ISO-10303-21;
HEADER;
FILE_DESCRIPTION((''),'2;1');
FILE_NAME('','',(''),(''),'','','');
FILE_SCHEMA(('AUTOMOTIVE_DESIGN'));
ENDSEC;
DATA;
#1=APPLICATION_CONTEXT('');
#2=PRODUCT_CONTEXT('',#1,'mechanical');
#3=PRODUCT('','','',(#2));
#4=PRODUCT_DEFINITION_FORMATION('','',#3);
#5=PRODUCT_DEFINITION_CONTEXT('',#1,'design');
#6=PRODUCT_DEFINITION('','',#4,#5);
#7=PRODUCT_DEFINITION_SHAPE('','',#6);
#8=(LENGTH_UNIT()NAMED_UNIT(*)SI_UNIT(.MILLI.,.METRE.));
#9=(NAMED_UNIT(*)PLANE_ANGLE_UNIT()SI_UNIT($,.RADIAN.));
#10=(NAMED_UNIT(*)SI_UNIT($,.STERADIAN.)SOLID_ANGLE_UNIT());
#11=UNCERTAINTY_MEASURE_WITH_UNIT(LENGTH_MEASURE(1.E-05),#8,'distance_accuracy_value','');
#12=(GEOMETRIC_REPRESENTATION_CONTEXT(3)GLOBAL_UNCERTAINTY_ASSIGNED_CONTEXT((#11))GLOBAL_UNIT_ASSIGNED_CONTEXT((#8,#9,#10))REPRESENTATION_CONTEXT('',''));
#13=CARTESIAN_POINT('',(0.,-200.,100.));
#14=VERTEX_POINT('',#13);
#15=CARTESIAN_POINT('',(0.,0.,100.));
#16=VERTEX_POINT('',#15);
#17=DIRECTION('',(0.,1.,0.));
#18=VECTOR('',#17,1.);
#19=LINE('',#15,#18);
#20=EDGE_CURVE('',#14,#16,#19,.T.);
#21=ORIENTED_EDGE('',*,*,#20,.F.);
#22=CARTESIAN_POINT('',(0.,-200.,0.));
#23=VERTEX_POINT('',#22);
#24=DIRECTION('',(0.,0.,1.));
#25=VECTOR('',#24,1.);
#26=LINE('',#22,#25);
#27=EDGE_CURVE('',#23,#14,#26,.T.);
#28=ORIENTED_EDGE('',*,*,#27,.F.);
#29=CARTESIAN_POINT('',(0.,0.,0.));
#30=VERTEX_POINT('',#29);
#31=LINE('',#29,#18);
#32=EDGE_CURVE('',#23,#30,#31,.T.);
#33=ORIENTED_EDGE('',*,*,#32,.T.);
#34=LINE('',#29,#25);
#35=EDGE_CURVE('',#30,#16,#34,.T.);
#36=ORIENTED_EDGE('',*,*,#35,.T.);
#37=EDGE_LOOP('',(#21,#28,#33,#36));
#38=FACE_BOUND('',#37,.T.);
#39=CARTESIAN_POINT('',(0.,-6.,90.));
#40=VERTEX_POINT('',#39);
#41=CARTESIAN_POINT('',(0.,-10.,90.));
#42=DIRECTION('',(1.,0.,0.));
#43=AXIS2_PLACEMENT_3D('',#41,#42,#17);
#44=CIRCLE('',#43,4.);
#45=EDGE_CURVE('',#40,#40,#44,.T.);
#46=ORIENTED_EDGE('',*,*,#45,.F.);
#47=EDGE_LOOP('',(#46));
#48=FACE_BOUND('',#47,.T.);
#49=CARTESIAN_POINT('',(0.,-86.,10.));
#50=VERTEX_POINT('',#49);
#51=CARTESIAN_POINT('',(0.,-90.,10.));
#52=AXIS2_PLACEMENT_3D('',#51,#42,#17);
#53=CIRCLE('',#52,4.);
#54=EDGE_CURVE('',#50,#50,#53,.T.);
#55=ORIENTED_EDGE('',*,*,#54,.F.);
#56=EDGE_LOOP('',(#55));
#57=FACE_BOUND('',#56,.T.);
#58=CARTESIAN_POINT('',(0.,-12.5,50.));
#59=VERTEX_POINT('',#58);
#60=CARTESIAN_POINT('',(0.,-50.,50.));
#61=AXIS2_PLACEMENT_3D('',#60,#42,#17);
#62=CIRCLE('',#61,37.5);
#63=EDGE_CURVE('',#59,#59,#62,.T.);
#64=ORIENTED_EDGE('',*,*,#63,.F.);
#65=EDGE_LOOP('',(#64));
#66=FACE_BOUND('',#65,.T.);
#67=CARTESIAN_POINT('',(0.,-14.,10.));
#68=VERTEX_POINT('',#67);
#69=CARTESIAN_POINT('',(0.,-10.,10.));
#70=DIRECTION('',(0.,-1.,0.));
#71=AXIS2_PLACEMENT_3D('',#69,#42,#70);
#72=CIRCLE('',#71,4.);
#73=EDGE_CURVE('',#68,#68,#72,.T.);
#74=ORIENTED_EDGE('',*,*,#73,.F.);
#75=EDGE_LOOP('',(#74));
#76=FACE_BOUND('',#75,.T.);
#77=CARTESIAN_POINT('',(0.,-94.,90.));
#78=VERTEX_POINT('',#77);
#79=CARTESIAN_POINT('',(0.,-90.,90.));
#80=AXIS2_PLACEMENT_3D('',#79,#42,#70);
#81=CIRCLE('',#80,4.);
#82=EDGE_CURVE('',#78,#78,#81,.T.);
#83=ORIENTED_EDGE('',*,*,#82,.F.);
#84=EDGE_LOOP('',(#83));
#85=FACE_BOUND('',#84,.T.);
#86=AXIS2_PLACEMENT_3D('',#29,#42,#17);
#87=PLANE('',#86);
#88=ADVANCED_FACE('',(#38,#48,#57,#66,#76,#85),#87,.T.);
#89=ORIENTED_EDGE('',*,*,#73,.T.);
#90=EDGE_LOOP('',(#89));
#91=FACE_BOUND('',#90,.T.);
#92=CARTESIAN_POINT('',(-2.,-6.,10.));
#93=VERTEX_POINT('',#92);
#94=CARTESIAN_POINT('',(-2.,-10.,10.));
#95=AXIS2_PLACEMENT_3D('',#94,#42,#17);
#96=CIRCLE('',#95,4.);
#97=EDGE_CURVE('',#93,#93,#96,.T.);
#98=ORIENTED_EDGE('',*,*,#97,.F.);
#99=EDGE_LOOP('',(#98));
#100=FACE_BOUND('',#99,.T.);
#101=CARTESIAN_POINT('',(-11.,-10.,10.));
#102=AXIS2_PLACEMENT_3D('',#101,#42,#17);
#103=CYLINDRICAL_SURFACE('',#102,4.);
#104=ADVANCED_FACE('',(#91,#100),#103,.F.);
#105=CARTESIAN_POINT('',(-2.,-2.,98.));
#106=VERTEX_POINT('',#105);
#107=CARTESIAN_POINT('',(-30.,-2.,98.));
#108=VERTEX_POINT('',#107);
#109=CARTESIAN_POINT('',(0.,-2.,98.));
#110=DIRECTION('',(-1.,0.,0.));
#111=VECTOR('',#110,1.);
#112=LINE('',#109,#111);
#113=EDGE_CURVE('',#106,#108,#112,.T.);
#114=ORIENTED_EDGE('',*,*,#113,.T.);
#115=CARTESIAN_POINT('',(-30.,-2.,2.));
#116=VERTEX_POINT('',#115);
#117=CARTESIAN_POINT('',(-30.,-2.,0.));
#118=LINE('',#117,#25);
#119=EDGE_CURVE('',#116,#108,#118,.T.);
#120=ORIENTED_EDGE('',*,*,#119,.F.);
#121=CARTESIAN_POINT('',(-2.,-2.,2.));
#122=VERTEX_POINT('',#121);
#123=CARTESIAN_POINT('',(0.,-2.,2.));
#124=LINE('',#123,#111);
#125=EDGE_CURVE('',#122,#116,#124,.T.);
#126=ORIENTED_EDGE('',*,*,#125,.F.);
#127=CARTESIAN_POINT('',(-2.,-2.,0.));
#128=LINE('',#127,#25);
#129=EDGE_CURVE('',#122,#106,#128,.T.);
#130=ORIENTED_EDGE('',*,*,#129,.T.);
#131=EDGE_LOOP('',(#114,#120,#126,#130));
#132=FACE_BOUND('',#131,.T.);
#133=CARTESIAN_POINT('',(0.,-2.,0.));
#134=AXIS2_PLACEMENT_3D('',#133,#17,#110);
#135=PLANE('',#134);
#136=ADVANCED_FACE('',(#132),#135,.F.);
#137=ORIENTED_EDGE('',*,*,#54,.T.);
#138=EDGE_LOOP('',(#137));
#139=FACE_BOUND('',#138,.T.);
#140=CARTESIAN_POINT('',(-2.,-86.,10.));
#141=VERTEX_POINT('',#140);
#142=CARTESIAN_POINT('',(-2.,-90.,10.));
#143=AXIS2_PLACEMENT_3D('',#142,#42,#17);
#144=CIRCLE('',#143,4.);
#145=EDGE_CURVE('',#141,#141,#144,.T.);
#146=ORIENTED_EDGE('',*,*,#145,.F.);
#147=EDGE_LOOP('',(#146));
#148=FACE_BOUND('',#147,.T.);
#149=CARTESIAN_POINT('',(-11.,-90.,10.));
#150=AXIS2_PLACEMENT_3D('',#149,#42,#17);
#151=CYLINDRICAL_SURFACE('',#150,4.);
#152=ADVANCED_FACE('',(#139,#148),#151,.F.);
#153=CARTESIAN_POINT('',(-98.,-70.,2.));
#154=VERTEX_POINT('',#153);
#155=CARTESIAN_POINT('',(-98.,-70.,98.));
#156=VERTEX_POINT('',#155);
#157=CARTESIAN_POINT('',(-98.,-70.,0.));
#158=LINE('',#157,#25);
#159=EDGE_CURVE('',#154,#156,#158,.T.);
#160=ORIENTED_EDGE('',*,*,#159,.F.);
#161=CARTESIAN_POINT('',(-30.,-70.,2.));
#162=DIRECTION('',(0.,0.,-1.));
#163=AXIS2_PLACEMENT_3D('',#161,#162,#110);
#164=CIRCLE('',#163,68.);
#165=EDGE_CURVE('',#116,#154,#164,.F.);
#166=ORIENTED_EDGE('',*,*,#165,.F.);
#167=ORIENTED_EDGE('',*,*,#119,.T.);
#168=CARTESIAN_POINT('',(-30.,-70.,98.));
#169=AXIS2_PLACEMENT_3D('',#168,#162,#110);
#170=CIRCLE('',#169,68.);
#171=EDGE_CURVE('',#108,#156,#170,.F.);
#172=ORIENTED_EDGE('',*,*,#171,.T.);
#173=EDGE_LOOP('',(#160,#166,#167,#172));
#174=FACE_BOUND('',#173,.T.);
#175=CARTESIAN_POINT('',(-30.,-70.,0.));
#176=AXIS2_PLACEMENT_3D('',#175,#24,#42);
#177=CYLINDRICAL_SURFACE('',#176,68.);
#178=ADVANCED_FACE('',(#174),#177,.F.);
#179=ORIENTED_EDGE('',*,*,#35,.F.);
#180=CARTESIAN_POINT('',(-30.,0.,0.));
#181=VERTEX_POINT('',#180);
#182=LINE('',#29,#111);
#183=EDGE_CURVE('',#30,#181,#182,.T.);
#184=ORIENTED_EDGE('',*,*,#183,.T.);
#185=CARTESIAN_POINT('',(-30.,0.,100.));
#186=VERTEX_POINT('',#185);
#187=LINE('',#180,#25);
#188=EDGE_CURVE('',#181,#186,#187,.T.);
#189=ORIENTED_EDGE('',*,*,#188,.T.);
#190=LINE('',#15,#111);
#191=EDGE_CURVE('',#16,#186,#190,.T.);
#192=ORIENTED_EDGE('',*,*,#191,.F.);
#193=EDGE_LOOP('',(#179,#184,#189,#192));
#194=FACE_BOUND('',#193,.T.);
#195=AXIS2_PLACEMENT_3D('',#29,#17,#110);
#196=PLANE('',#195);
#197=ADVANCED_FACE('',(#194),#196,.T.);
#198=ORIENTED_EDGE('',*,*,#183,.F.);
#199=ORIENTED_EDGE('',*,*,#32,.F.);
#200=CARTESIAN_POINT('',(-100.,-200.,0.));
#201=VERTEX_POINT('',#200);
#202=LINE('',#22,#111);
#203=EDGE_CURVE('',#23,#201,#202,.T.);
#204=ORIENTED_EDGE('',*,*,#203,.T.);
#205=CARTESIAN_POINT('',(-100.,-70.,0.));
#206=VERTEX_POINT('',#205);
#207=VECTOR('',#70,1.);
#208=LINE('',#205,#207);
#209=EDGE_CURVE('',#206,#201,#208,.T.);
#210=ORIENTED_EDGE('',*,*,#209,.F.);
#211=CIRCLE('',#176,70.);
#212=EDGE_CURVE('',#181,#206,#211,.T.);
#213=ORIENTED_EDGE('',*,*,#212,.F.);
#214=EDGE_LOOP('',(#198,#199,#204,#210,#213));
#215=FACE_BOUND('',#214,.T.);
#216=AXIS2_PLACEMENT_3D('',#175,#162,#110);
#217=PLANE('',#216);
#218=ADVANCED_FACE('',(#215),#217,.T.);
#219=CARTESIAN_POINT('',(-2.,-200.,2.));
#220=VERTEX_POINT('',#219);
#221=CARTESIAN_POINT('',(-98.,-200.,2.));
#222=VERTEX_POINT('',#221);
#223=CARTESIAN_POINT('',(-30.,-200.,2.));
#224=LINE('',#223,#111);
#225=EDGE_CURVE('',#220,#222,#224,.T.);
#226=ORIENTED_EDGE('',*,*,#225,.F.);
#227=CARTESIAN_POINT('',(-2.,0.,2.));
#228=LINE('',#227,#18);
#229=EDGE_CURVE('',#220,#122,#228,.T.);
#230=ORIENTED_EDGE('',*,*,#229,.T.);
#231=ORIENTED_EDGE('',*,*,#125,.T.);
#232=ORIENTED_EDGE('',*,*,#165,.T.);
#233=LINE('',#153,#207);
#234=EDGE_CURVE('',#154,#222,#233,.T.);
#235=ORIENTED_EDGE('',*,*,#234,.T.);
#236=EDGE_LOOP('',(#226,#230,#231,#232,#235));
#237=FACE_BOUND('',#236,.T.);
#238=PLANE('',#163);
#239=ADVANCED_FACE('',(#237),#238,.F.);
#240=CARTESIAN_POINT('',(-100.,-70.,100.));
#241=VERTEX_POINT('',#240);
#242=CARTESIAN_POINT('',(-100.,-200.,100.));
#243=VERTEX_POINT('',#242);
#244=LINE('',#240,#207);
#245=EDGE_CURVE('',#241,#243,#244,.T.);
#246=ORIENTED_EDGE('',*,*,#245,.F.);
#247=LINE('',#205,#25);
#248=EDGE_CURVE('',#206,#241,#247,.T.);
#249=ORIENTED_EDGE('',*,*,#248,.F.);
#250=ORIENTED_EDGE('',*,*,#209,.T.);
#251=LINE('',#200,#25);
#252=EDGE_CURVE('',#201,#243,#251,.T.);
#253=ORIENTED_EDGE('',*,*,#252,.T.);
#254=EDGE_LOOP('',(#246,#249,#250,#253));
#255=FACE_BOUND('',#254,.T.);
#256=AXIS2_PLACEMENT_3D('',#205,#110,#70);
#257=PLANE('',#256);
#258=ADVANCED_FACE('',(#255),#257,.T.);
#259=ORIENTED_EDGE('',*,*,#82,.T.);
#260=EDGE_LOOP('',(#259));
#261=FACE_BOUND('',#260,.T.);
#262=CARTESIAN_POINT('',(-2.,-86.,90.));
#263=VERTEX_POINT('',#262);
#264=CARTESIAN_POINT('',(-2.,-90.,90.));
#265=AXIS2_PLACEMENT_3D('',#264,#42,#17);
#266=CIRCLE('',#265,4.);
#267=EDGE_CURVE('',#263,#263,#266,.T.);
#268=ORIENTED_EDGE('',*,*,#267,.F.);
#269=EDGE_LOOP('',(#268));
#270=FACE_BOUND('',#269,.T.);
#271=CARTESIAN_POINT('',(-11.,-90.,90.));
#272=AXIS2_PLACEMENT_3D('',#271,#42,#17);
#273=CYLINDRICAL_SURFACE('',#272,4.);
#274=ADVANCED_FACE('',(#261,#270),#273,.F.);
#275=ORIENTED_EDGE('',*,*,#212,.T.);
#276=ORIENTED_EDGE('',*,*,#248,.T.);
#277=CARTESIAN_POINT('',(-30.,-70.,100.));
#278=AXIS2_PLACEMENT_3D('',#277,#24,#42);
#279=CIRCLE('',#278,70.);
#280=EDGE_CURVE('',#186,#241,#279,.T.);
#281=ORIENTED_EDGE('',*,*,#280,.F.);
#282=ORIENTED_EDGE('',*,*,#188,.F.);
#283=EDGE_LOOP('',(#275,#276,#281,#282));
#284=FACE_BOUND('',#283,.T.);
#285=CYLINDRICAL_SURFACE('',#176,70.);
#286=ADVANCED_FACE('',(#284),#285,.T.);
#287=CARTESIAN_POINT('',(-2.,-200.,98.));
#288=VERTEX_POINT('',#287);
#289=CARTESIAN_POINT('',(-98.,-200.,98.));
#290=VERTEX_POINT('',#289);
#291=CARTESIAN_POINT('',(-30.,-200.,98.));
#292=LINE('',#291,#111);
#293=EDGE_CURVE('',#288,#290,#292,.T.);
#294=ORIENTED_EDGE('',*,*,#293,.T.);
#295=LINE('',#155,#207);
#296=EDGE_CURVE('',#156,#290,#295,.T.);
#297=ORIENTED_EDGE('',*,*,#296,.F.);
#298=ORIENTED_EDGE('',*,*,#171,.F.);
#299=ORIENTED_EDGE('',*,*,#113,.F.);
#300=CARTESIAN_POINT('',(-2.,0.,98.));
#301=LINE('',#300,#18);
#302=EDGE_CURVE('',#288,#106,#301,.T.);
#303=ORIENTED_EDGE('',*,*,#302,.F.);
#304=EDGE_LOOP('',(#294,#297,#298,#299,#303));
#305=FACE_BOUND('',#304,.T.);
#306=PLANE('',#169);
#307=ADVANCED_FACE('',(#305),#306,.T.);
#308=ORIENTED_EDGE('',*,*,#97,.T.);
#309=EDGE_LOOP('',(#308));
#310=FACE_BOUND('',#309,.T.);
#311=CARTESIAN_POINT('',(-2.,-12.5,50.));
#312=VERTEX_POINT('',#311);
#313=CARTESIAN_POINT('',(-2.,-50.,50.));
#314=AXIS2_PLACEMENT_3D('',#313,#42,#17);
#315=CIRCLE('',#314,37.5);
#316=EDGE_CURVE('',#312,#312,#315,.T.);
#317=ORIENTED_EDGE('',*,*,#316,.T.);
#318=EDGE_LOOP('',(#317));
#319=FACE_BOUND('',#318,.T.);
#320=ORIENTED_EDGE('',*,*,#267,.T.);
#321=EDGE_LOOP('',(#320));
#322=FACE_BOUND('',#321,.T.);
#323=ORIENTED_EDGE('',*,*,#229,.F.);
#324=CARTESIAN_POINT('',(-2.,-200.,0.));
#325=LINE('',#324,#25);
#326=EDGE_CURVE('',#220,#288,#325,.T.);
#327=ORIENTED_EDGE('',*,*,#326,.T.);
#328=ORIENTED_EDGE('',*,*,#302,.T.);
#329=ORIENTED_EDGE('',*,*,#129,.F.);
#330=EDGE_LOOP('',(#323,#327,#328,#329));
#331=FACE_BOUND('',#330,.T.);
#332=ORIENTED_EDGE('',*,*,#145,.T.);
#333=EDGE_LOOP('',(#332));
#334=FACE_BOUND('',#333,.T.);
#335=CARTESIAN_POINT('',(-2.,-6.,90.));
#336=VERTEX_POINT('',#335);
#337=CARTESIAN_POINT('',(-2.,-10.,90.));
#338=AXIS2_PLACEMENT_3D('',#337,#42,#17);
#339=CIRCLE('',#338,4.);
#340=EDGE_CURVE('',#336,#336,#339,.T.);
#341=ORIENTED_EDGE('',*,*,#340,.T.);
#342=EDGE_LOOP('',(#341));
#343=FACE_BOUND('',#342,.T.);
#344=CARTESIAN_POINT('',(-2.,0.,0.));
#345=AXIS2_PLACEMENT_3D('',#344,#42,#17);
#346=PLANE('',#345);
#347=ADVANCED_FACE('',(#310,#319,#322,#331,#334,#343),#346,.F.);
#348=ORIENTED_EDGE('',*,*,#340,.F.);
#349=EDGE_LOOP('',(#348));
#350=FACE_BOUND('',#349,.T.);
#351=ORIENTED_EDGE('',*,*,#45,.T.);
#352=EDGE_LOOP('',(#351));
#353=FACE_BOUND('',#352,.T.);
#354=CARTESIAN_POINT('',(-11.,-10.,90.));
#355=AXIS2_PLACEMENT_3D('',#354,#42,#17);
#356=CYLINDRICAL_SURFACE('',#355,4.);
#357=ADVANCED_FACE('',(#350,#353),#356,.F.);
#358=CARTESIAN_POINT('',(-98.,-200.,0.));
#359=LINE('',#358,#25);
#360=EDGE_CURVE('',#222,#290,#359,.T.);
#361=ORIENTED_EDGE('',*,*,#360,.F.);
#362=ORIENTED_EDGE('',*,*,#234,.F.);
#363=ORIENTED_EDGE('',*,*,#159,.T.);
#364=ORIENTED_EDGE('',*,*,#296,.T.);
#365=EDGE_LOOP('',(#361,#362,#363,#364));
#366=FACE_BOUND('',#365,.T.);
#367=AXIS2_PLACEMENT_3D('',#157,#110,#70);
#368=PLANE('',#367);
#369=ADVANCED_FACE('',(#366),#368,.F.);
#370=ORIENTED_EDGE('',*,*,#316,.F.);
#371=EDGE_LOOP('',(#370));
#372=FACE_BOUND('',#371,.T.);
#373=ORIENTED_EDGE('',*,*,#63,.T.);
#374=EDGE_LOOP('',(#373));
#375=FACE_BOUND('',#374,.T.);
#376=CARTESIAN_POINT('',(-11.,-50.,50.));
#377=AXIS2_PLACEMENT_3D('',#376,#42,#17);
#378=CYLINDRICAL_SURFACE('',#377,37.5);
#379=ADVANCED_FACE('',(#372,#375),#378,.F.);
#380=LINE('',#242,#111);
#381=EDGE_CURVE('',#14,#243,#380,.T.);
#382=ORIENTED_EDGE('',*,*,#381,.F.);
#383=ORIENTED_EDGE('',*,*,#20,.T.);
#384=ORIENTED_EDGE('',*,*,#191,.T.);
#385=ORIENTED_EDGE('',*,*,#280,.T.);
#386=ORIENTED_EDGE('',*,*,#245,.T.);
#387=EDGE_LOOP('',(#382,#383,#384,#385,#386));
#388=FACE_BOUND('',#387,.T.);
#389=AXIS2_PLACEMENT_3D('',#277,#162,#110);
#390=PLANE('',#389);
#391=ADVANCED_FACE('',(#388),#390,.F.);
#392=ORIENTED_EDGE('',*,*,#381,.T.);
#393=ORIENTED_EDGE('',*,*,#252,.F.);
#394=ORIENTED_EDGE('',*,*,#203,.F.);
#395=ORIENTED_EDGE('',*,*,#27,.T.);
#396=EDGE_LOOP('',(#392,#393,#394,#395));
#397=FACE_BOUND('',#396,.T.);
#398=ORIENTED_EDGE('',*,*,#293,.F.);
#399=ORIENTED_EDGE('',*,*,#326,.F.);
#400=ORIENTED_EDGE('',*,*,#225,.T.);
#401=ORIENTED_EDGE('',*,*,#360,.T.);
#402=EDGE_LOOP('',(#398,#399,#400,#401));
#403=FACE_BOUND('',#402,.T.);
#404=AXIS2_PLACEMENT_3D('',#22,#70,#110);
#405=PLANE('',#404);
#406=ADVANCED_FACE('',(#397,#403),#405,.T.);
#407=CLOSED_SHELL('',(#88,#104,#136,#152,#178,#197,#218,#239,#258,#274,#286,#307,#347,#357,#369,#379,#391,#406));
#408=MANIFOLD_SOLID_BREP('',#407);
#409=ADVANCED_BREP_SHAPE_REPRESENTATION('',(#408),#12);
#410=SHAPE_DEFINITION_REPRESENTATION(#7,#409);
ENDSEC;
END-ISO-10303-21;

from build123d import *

# Parameters (mm, degrees)
SUPERFICIE_EXTRUIR1_2_DEPTH = 100
DAR_ESPESOR1_T2             = 2
CROQUIS4_R                  = 37.5
CROQUIS4_R_2                = 4
EXTRUIR3_DEPTH              = 11


with BuildPart() as body_1:
    # Superficie-Extruir1: a surface, the sketch's curves swept straight by 100 mm
    with BuildLine(Plane.XY, mode=Mode.PRIVATE) as superficie_extruir1_2_path:
        Line((-100, -200), (-100, -70))
        ThreePointArc((-100, -70), (-79.497474683, -20.502525317), (-30, 0))
        Line((-30, 0), (0, 0))
        Line((0, 0), (0, -200))
    superficie_extruir1_2 = Shell.extrude(superficie_extruir1_2_path.wire(), (0 * SUPERFICIE_EXTRUIR1_2_DEPTH, 0 * SUPERFICIE_EXTRUIR1_2_DEPTH, 1 * SUPERFICIE_EXTRUIR1_2_DEPTH))
    # Croquis5 → Superficie-Plano1: a flat surface bounded by the sketch
    with BuildSketch(Plane(origin=(0, 0, 100), x_dir=(-1, 0, 0), z_dir=(0, 0, -1)), mode=Mode.PRIVATE) as superficie_plano1_3_region:
        with BuildLine():
            Line((100, -200), (0, -200))
            Line((0, -200), (0, 0))
            Line((0, 0), (30, 0))
            ThreePointArc((30, 0), (79.497474683, -20.502525317), (100, -70))
            Line((100, -70), (100, -200))
        make_face()
    superficie_plano1_3 = superficie_plano1_3_region.sketch.faces()[0]
    # Croquis6 → Superficie-Plano2: a flat surface bounded by the sketch
    with BuildSketch(Plane(origin=(0, 0, 0), x_dir=(-1, 0, 0), z_dir=(0, 0, -1)), mode=Mode.PRIVATE) as superficie_plano2_4_region:
        with BuildLine():
            Line((0, -200), (100, -200))
            Line((100, -200), (100, -70))
            ThreePointArc((100, -70), (79.497474683, -20.502525317), (30, 0))
            Line((30, 0), (0, 0))
            Line((0, 0), (0, -200))
        make_face()
    superficie_plano2_4 = superficie_plano2_4_region.sketch.faces()[0]
    # Superficie-Coser1: the surfaces knitted into one
    superficie_coser1_1 = Shell(Face.sew_faces(superficie_extruir1_2.faces() + superficie_plano1_3.faces() + superficie_plano2_4.faces())[0])
    add(Solid.thicken(superficie_coser1_1, -DAR_ESPESOR1_T2))

    # Croquis4 → Extruir3 (cut)
    with BuildSketch(Plane(origin=(0, 0, 0), x_dir=(0, 0, -1), z_dir=(1, 0, 0))):
        with Locations(Location((-50, -50, 0), (0, 0, 90))):
            Circle(CROQUIS4_R)
        with Locations(Location((-90, -10, 0), (0, 0, 90))):
            Circle(CROQUIS4_R_2)
        with Locations(Location((-10, -10, 0), (0, 0, 90))):
            Circle(CROQUIS4_R_2)
        with Locations(Location((-10, -90, 0), (0, 0, 90))):
            Circle(CROQUIS4_R_2)
        with Locations(Location((-90, -90, 0), (0, 0, 90))):
            Circle(CROQUIS4_R_2)
    extrude(amount=-EXTRUIR3_DEPTH, mode=Mode.SUBTRACT)


solid = body_1.part
